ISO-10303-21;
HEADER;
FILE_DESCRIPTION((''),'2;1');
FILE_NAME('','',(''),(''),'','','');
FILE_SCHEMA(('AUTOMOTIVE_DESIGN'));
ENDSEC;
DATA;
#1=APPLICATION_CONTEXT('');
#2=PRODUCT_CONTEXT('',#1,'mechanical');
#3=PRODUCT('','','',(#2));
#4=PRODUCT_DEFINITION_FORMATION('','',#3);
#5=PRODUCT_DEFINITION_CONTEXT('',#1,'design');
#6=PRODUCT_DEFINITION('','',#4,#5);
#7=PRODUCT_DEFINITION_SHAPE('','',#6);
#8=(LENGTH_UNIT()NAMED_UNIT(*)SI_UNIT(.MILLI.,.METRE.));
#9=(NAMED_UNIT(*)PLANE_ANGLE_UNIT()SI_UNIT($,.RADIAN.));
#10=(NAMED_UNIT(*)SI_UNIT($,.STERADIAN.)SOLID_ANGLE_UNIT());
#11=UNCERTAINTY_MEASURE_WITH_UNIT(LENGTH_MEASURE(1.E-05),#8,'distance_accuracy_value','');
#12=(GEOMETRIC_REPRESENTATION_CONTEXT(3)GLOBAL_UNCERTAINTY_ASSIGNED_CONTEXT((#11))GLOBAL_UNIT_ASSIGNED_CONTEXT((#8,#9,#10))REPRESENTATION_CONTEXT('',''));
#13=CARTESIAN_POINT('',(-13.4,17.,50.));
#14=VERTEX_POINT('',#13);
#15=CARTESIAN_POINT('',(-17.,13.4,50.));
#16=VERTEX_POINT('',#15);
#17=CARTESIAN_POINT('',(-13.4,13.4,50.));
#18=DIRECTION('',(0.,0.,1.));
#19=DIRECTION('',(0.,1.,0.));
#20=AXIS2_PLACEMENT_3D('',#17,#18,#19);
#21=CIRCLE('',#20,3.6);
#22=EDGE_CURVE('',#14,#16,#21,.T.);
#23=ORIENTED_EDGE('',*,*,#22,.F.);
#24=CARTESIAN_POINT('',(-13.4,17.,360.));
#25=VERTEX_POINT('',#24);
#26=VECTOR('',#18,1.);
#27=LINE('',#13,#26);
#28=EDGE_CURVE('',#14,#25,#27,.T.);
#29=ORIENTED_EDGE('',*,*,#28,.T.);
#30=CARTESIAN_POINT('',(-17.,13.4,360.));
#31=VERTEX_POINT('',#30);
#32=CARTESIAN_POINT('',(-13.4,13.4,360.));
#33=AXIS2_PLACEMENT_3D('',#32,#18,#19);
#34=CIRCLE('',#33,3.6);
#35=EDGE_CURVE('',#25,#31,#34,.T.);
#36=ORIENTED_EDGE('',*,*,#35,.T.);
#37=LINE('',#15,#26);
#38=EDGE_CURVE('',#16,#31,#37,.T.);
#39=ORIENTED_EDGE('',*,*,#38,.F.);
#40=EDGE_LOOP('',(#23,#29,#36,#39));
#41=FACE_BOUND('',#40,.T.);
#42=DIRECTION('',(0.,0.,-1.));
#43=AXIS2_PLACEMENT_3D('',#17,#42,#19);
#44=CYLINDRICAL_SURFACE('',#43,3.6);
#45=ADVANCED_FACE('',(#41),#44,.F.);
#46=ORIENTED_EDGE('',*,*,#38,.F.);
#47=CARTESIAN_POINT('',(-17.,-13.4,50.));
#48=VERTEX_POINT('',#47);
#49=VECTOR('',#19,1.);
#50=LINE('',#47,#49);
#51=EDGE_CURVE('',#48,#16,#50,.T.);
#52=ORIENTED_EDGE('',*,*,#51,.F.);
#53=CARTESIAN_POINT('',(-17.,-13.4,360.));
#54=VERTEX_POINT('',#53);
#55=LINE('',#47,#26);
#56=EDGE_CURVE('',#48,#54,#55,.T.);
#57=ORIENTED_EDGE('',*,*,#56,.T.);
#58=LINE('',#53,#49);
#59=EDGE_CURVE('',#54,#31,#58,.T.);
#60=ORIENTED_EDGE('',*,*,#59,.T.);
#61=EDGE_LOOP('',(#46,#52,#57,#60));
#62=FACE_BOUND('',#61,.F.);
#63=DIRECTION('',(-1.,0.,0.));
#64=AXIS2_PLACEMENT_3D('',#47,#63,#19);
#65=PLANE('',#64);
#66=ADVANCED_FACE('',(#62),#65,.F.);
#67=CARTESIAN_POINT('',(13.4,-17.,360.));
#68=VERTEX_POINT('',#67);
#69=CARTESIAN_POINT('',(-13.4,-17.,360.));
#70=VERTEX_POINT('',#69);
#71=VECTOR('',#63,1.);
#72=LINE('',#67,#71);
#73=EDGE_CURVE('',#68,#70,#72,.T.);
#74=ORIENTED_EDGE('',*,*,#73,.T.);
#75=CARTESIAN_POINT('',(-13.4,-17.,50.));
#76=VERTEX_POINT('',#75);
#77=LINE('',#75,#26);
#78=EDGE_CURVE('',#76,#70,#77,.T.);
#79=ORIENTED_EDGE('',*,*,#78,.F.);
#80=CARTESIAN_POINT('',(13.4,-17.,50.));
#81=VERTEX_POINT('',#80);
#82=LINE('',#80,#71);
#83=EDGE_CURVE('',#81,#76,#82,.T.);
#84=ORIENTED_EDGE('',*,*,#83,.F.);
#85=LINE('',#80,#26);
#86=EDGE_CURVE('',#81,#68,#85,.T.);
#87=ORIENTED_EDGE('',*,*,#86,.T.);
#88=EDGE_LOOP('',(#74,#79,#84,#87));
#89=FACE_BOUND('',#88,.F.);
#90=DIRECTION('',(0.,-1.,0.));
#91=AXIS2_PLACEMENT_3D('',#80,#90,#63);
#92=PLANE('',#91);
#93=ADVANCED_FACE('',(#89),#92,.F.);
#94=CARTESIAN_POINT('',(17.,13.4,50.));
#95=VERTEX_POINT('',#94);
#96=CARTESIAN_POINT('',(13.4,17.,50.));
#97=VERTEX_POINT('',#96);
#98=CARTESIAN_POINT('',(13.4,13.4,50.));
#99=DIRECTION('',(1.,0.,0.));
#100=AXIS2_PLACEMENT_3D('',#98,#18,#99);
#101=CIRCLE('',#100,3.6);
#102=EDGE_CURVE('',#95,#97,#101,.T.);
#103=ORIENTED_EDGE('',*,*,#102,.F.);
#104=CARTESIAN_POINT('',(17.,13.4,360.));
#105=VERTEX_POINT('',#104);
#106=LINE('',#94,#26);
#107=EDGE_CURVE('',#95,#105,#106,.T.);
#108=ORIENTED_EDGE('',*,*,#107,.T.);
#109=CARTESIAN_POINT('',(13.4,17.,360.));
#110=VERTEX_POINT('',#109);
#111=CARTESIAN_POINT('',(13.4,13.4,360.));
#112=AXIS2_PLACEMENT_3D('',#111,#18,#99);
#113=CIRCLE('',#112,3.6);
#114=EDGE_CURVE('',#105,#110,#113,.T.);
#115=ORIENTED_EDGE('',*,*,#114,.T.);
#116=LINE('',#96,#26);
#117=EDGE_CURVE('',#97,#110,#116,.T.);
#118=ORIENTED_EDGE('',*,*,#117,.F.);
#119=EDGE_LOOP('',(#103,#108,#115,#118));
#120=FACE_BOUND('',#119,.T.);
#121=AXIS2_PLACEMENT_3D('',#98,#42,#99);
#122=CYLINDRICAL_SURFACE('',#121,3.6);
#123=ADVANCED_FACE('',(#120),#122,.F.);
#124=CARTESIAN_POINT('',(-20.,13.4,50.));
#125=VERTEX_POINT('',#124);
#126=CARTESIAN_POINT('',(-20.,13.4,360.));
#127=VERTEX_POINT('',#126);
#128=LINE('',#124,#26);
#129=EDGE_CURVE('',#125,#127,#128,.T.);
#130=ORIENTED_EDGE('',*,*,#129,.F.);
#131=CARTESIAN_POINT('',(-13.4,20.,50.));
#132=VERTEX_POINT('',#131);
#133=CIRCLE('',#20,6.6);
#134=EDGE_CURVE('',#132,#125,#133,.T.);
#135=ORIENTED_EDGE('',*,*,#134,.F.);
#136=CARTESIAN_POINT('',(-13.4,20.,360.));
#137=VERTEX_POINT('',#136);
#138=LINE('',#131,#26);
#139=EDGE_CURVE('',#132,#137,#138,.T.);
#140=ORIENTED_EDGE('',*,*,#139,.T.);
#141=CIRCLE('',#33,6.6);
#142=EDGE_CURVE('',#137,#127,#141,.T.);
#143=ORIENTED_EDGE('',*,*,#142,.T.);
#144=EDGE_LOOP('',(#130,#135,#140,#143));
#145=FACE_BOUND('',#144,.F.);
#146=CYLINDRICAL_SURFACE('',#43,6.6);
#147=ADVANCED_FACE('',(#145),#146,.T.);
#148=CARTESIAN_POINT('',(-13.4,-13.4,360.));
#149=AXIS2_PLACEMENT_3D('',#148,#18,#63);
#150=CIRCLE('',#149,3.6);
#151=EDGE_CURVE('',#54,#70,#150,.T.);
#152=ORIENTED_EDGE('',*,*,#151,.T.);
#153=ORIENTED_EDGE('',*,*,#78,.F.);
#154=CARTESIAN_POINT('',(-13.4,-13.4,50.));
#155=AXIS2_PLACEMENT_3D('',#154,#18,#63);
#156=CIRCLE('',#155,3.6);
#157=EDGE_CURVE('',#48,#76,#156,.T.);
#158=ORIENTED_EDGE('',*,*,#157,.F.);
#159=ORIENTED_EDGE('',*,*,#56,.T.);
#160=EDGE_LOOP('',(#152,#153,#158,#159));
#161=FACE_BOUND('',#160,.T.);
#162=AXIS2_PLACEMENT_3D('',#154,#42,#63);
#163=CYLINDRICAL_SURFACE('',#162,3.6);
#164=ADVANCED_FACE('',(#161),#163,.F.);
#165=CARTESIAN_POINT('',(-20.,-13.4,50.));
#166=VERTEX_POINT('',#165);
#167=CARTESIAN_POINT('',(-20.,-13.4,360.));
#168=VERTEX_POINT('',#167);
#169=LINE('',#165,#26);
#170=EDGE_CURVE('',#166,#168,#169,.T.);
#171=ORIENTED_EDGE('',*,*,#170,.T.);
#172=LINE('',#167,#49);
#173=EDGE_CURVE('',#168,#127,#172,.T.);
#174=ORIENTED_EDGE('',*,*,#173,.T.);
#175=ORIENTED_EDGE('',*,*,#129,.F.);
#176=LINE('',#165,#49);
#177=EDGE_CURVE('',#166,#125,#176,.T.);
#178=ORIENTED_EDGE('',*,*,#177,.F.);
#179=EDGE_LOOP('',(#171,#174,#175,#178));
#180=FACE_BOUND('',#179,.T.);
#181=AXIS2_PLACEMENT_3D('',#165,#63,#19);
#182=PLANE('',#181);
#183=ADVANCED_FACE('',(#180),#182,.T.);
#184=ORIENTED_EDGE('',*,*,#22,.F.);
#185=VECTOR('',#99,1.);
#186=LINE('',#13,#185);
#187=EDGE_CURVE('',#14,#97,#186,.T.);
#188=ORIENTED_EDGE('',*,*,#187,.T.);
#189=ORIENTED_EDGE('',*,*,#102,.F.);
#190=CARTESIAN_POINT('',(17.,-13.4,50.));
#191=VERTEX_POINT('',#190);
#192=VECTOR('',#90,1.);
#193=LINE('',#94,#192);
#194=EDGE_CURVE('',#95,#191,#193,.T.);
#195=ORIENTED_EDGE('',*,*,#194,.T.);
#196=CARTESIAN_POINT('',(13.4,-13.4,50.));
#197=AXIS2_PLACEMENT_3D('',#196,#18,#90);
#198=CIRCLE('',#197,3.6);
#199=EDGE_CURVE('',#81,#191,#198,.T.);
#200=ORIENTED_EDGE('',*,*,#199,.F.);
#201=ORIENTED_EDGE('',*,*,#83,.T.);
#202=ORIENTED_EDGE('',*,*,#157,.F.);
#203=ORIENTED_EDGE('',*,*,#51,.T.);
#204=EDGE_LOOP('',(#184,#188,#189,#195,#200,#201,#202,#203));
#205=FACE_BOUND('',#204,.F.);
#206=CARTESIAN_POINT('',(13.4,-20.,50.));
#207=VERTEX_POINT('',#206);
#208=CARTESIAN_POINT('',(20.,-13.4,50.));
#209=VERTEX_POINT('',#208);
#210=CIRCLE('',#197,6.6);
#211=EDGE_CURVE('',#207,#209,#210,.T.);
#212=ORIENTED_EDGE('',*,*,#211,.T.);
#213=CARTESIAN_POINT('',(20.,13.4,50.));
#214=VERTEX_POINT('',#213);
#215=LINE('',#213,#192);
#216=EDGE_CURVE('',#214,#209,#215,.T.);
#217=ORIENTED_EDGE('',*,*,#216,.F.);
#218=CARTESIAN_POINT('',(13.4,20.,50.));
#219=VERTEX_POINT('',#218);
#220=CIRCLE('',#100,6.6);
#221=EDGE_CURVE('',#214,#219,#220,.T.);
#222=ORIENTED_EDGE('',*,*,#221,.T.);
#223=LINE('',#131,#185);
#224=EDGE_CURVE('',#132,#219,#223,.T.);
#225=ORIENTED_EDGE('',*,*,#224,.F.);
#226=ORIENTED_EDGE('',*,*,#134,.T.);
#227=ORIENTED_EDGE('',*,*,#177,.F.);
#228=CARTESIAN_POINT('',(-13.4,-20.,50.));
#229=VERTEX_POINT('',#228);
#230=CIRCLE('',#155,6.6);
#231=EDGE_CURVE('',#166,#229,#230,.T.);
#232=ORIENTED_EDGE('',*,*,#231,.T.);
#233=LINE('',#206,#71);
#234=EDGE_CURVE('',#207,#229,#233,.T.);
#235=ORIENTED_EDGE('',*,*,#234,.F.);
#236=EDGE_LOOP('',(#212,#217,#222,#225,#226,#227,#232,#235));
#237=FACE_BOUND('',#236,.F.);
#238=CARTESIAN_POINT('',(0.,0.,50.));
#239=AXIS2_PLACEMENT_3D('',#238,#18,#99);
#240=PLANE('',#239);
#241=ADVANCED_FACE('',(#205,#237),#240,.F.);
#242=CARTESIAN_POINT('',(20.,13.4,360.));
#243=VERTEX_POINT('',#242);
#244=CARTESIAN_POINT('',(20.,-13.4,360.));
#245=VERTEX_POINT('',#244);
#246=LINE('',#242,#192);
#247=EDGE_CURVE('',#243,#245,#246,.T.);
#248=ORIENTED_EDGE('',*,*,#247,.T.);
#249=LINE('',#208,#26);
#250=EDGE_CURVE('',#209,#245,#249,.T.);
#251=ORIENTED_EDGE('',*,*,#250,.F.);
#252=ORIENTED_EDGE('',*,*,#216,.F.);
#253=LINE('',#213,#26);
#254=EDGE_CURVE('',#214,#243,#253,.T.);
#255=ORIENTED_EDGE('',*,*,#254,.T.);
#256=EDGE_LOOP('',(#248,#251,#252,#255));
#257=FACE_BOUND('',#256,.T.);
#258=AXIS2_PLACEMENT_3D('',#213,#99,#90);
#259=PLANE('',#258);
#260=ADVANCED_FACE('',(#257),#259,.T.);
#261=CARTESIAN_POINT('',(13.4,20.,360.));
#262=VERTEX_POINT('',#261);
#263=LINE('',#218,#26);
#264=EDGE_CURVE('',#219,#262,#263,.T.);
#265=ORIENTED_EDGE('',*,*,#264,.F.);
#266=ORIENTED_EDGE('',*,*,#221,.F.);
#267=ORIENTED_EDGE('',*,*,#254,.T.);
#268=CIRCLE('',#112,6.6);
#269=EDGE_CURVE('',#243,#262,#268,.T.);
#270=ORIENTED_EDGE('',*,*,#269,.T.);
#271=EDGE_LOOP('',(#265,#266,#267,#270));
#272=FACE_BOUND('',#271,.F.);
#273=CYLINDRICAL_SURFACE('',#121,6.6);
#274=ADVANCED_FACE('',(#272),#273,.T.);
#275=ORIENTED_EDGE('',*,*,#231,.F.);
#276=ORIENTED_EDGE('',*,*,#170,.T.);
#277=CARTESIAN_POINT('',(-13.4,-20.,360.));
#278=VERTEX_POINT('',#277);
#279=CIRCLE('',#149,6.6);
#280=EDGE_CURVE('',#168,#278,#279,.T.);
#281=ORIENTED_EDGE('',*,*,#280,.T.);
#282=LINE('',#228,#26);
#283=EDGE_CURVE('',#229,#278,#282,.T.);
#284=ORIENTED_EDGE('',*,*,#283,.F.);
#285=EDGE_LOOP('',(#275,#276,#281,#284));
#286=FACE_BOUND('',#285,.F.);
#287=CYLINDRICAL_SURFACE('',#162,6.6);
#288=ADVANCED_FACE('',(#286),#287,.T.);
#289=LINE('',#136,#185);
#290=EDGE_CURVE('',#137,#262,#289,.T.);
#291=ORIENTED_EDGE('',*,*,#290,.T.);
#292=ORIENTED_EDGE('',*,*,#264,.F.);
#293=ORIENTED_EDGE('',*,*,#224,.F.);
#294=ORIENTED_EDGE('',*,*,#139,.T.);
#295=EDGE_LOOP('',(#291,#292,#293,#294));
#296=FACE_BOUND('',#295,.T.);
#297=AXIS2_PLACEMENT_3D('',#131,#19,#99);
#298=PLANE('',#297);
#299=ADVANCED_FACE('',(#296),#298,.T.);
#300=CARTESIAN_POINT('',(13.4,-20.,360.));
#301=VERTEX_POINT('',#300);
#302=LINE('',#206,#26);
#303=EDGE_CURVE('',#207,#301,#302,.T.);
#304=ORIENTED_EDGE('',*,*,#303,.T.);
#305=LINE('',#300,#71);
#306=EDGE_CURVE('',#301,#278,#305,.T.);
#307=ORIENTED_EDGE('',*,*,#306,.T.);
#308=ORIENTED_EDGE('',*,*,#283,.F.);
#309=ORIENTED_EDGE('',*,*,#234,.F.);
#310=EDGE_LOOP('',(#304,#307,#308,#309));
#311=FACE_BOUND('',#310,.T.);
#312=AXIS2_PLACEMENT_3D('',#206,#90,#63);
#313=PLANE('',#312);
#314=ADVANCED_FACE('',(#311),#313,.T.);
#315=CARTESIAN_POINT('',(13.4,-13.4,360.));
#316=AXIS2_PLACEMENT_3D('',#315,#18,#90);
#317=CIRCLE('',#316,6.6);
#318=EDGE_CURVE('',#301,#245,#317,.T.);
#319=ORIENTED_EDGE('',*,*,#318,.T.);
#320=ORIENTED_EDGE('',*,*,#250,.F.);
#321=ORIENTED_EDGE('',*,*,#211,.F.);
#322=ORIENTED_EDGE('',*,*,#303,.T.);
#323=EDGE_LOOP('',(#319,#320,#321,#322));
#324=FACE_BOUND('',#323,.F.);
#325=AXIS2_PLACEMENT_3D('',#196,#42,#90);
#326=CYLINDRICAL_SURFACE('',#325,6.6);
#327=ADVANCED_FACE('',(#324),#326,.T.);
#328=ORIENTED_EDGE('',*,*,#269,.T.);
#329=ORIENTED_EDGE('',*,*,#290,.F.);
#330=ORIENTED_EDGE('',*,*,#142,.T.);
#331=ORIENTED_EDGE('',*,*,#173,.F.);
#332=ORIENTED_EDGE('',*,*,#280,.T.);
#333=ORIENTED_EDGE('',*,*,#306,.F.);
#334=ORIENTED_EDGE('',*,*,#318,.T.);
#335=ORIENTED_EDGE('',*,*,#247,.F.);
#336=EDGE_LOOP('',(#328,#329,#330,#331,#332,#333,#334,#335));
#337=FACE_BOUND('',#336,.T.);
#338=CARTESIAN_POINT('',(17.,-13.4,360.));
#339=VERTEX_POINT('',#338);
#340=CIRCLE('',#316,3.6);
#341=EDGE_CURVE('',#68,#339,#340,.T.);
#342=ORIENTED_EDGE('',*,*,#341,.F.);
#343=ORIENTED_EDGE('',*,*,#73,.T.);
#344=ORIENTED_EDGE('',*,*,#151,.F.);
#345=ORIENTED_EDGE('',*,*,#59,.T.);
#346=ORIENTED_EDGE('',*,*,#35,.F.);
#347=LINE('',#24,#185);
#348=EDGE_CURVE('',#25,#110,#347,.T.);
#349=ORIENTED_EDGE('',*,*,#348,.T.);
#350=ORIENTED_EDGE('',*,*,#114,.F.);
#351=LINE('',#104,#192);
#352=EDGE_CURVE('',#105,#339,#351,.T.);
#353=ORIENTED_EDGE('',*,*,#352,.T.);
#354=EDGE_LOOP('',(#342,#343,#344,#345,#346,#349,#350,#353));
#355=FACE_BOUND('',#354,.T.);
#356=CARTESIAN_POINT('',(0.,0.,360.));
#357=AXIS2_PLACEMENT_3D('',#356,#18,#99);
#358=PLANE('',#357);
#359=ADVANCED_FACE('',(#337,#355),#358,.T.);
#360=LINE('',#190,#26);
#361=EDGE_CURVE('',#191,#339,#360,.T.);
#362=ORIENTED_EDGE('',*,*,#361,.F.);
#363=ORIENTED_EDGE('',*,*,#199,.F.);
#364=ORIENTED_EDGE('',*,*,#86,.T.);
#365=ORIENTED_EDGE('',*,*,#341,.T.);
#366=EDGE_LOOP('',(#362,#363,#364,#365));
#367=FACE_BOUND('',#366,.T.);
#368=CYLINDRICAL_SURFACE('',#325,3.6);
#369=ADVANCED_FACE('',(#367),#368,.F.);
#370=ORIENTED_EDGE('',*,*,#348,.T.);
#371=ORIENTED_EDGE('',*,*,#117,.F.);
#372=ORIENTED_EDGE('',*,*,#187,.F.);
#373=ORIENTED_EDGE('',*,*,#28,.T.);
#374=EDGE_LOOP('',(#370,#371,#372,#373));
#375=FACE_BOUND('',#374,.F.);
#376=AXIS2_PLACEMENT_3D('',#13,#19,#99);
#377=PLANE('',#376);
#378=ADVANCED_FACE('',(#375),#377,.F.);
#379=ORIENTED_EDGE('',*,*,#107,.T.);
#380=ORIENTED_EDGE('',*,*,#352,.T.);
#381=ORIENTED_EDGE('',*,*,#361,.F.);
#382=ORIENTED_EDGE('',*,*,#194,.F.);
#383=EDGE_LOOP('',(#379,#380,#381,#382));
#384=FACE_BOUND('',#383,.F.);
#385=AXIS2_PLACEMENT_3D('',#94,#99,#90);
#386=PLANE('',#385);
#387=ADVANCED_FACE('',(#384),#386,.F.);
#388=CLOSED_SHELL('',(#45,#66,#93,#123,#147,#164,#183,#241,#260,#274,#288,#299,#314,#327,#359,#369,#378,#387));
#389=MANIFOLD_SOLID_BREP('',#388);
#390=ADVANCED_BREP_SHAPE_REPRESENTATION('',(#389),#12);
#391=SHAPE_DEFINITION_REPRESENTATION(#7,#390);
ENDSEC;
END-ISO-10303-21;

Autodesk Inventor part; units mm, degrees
ref_plane "Start plane" through (0, 0, 50) normal (0, 0, 1) x (1, 0, 0)
ref_plane "End plane" through (0, 0, 360) normal (0, 0, 1) x (1, 0, 0)
sketch "Sketch" plane through (0, 0, 0) normal (0, 0, 1) x (1, 0, 0)
  line L0 (-20, -13.4) -> (-20, 13.4)
  line L1 (-13.4, 20) -> (13.4, 20)
  line L2 (20, 13.4) -> (20, -13.4)
  line L3 (13.4, -20) -> (-13.4, -20)
  arc A0 (-20, -13.4) -> (-13.4, -20) centre (-13.4, -13.4) ccw
  arc A1 (-13.4, 20) -> (-20, 13.4) centre (-13.4, 13.4) ccw
  arc A2 (20, 13.4) -> (13.4, 20) centre (13.4, 13.4) ccw
  arc A3 (13.4, -20) -> (20, -13.4) centre (13.4, -13.4) ccw
  arc A4 (-13.4, 17) -> (-17, 13.4) centre (-13.4, 13.4) ccw
  line L4 (-13.4, 17) -> (13.4, 17)
  arc A5 (17, 13.4) -> (13.4, 17) centre (13.4, 13.4) ccw
  line L5 (17, 13.4) -> (17, -13.4)
  arc A6 (13.4, -17) -> (17, -13.4) centre (13.4, -13.4) ccw
  line L6 (13.4, -17) -> (-13.4, -17)
  arc A7 (-17, -13.4) -> (-13.4, -17) centre (-13.4, -13.4) ccw
  line L7 (-17, -13.4) -> (-17, 13.4)
  line L8 (0, 22.0873) -> (0, -22.0873) construction
  line L9 (-22.0873, 0) -> (22.0873, 0) construction
  dimension "d7" = 6.6
  dimension "d10" = 40
  dimension "d11" = 40
  dimension "d12" = 3
  dimension "d15" = 20
  dimension "d16" = 20
extrude "Body" add sketch "Sketch" along normal up to surface (310 mm away) from surface at 50
sketch "Sketch3" plane through (0, 0, 0) normal (0, 0, 1) x (1, 0, 0)
  line L0 (0, 0) -> (10, 0)
ref_plane "Work Plane3" through (0, 0, 0) normal (0, -1, 0) x (1, 0, 0)
sketch "Sketch4" plane through (0, 0, 0) normal (0, -1, 0) x (1, 0, 0)
  line L0 (-2, 50) -> (12, 50)
  line L1 (-2, 360) -> (12, 360)
  dimension "d18" = 310
ref_plane "Work Plane4" through (-9.2, 565, 50) normal (0, 0, -1) x (-1, 0, 0)
split "Split1" plane through (-9.2, 565, 50) removes the side toward (0, 0, -1)
ref_plane "Work Plane5" through (636, -8.4, 360) normal (0, 0, 1) x (1, 0, 0)
split "Split2" plane through (636, -8.4, 360) removes the side toward (0, 0, 1)
equation "\"d7\" = G_IR"
equation "\"d10\" = G_H"
equation "\"d11\" = G_W"
equation "\"d12\" = G_T"
equation "\"d15\" = 0.5 * d10"
equation "\"d16\" = 0.5 * d11"
equation "\"d3\" = G_L"
equation "\"G_W\" = 40"
equation "\"G_H\" = 40"
equation "\"G_T\" = 3"
equation "\"G_IR\" = 6.6"
equation "\"G_L\" = d18"
properties part number "DIN EN 10305-5 - 40 x 40 x 3  - 310" material "Steel, Mild"
